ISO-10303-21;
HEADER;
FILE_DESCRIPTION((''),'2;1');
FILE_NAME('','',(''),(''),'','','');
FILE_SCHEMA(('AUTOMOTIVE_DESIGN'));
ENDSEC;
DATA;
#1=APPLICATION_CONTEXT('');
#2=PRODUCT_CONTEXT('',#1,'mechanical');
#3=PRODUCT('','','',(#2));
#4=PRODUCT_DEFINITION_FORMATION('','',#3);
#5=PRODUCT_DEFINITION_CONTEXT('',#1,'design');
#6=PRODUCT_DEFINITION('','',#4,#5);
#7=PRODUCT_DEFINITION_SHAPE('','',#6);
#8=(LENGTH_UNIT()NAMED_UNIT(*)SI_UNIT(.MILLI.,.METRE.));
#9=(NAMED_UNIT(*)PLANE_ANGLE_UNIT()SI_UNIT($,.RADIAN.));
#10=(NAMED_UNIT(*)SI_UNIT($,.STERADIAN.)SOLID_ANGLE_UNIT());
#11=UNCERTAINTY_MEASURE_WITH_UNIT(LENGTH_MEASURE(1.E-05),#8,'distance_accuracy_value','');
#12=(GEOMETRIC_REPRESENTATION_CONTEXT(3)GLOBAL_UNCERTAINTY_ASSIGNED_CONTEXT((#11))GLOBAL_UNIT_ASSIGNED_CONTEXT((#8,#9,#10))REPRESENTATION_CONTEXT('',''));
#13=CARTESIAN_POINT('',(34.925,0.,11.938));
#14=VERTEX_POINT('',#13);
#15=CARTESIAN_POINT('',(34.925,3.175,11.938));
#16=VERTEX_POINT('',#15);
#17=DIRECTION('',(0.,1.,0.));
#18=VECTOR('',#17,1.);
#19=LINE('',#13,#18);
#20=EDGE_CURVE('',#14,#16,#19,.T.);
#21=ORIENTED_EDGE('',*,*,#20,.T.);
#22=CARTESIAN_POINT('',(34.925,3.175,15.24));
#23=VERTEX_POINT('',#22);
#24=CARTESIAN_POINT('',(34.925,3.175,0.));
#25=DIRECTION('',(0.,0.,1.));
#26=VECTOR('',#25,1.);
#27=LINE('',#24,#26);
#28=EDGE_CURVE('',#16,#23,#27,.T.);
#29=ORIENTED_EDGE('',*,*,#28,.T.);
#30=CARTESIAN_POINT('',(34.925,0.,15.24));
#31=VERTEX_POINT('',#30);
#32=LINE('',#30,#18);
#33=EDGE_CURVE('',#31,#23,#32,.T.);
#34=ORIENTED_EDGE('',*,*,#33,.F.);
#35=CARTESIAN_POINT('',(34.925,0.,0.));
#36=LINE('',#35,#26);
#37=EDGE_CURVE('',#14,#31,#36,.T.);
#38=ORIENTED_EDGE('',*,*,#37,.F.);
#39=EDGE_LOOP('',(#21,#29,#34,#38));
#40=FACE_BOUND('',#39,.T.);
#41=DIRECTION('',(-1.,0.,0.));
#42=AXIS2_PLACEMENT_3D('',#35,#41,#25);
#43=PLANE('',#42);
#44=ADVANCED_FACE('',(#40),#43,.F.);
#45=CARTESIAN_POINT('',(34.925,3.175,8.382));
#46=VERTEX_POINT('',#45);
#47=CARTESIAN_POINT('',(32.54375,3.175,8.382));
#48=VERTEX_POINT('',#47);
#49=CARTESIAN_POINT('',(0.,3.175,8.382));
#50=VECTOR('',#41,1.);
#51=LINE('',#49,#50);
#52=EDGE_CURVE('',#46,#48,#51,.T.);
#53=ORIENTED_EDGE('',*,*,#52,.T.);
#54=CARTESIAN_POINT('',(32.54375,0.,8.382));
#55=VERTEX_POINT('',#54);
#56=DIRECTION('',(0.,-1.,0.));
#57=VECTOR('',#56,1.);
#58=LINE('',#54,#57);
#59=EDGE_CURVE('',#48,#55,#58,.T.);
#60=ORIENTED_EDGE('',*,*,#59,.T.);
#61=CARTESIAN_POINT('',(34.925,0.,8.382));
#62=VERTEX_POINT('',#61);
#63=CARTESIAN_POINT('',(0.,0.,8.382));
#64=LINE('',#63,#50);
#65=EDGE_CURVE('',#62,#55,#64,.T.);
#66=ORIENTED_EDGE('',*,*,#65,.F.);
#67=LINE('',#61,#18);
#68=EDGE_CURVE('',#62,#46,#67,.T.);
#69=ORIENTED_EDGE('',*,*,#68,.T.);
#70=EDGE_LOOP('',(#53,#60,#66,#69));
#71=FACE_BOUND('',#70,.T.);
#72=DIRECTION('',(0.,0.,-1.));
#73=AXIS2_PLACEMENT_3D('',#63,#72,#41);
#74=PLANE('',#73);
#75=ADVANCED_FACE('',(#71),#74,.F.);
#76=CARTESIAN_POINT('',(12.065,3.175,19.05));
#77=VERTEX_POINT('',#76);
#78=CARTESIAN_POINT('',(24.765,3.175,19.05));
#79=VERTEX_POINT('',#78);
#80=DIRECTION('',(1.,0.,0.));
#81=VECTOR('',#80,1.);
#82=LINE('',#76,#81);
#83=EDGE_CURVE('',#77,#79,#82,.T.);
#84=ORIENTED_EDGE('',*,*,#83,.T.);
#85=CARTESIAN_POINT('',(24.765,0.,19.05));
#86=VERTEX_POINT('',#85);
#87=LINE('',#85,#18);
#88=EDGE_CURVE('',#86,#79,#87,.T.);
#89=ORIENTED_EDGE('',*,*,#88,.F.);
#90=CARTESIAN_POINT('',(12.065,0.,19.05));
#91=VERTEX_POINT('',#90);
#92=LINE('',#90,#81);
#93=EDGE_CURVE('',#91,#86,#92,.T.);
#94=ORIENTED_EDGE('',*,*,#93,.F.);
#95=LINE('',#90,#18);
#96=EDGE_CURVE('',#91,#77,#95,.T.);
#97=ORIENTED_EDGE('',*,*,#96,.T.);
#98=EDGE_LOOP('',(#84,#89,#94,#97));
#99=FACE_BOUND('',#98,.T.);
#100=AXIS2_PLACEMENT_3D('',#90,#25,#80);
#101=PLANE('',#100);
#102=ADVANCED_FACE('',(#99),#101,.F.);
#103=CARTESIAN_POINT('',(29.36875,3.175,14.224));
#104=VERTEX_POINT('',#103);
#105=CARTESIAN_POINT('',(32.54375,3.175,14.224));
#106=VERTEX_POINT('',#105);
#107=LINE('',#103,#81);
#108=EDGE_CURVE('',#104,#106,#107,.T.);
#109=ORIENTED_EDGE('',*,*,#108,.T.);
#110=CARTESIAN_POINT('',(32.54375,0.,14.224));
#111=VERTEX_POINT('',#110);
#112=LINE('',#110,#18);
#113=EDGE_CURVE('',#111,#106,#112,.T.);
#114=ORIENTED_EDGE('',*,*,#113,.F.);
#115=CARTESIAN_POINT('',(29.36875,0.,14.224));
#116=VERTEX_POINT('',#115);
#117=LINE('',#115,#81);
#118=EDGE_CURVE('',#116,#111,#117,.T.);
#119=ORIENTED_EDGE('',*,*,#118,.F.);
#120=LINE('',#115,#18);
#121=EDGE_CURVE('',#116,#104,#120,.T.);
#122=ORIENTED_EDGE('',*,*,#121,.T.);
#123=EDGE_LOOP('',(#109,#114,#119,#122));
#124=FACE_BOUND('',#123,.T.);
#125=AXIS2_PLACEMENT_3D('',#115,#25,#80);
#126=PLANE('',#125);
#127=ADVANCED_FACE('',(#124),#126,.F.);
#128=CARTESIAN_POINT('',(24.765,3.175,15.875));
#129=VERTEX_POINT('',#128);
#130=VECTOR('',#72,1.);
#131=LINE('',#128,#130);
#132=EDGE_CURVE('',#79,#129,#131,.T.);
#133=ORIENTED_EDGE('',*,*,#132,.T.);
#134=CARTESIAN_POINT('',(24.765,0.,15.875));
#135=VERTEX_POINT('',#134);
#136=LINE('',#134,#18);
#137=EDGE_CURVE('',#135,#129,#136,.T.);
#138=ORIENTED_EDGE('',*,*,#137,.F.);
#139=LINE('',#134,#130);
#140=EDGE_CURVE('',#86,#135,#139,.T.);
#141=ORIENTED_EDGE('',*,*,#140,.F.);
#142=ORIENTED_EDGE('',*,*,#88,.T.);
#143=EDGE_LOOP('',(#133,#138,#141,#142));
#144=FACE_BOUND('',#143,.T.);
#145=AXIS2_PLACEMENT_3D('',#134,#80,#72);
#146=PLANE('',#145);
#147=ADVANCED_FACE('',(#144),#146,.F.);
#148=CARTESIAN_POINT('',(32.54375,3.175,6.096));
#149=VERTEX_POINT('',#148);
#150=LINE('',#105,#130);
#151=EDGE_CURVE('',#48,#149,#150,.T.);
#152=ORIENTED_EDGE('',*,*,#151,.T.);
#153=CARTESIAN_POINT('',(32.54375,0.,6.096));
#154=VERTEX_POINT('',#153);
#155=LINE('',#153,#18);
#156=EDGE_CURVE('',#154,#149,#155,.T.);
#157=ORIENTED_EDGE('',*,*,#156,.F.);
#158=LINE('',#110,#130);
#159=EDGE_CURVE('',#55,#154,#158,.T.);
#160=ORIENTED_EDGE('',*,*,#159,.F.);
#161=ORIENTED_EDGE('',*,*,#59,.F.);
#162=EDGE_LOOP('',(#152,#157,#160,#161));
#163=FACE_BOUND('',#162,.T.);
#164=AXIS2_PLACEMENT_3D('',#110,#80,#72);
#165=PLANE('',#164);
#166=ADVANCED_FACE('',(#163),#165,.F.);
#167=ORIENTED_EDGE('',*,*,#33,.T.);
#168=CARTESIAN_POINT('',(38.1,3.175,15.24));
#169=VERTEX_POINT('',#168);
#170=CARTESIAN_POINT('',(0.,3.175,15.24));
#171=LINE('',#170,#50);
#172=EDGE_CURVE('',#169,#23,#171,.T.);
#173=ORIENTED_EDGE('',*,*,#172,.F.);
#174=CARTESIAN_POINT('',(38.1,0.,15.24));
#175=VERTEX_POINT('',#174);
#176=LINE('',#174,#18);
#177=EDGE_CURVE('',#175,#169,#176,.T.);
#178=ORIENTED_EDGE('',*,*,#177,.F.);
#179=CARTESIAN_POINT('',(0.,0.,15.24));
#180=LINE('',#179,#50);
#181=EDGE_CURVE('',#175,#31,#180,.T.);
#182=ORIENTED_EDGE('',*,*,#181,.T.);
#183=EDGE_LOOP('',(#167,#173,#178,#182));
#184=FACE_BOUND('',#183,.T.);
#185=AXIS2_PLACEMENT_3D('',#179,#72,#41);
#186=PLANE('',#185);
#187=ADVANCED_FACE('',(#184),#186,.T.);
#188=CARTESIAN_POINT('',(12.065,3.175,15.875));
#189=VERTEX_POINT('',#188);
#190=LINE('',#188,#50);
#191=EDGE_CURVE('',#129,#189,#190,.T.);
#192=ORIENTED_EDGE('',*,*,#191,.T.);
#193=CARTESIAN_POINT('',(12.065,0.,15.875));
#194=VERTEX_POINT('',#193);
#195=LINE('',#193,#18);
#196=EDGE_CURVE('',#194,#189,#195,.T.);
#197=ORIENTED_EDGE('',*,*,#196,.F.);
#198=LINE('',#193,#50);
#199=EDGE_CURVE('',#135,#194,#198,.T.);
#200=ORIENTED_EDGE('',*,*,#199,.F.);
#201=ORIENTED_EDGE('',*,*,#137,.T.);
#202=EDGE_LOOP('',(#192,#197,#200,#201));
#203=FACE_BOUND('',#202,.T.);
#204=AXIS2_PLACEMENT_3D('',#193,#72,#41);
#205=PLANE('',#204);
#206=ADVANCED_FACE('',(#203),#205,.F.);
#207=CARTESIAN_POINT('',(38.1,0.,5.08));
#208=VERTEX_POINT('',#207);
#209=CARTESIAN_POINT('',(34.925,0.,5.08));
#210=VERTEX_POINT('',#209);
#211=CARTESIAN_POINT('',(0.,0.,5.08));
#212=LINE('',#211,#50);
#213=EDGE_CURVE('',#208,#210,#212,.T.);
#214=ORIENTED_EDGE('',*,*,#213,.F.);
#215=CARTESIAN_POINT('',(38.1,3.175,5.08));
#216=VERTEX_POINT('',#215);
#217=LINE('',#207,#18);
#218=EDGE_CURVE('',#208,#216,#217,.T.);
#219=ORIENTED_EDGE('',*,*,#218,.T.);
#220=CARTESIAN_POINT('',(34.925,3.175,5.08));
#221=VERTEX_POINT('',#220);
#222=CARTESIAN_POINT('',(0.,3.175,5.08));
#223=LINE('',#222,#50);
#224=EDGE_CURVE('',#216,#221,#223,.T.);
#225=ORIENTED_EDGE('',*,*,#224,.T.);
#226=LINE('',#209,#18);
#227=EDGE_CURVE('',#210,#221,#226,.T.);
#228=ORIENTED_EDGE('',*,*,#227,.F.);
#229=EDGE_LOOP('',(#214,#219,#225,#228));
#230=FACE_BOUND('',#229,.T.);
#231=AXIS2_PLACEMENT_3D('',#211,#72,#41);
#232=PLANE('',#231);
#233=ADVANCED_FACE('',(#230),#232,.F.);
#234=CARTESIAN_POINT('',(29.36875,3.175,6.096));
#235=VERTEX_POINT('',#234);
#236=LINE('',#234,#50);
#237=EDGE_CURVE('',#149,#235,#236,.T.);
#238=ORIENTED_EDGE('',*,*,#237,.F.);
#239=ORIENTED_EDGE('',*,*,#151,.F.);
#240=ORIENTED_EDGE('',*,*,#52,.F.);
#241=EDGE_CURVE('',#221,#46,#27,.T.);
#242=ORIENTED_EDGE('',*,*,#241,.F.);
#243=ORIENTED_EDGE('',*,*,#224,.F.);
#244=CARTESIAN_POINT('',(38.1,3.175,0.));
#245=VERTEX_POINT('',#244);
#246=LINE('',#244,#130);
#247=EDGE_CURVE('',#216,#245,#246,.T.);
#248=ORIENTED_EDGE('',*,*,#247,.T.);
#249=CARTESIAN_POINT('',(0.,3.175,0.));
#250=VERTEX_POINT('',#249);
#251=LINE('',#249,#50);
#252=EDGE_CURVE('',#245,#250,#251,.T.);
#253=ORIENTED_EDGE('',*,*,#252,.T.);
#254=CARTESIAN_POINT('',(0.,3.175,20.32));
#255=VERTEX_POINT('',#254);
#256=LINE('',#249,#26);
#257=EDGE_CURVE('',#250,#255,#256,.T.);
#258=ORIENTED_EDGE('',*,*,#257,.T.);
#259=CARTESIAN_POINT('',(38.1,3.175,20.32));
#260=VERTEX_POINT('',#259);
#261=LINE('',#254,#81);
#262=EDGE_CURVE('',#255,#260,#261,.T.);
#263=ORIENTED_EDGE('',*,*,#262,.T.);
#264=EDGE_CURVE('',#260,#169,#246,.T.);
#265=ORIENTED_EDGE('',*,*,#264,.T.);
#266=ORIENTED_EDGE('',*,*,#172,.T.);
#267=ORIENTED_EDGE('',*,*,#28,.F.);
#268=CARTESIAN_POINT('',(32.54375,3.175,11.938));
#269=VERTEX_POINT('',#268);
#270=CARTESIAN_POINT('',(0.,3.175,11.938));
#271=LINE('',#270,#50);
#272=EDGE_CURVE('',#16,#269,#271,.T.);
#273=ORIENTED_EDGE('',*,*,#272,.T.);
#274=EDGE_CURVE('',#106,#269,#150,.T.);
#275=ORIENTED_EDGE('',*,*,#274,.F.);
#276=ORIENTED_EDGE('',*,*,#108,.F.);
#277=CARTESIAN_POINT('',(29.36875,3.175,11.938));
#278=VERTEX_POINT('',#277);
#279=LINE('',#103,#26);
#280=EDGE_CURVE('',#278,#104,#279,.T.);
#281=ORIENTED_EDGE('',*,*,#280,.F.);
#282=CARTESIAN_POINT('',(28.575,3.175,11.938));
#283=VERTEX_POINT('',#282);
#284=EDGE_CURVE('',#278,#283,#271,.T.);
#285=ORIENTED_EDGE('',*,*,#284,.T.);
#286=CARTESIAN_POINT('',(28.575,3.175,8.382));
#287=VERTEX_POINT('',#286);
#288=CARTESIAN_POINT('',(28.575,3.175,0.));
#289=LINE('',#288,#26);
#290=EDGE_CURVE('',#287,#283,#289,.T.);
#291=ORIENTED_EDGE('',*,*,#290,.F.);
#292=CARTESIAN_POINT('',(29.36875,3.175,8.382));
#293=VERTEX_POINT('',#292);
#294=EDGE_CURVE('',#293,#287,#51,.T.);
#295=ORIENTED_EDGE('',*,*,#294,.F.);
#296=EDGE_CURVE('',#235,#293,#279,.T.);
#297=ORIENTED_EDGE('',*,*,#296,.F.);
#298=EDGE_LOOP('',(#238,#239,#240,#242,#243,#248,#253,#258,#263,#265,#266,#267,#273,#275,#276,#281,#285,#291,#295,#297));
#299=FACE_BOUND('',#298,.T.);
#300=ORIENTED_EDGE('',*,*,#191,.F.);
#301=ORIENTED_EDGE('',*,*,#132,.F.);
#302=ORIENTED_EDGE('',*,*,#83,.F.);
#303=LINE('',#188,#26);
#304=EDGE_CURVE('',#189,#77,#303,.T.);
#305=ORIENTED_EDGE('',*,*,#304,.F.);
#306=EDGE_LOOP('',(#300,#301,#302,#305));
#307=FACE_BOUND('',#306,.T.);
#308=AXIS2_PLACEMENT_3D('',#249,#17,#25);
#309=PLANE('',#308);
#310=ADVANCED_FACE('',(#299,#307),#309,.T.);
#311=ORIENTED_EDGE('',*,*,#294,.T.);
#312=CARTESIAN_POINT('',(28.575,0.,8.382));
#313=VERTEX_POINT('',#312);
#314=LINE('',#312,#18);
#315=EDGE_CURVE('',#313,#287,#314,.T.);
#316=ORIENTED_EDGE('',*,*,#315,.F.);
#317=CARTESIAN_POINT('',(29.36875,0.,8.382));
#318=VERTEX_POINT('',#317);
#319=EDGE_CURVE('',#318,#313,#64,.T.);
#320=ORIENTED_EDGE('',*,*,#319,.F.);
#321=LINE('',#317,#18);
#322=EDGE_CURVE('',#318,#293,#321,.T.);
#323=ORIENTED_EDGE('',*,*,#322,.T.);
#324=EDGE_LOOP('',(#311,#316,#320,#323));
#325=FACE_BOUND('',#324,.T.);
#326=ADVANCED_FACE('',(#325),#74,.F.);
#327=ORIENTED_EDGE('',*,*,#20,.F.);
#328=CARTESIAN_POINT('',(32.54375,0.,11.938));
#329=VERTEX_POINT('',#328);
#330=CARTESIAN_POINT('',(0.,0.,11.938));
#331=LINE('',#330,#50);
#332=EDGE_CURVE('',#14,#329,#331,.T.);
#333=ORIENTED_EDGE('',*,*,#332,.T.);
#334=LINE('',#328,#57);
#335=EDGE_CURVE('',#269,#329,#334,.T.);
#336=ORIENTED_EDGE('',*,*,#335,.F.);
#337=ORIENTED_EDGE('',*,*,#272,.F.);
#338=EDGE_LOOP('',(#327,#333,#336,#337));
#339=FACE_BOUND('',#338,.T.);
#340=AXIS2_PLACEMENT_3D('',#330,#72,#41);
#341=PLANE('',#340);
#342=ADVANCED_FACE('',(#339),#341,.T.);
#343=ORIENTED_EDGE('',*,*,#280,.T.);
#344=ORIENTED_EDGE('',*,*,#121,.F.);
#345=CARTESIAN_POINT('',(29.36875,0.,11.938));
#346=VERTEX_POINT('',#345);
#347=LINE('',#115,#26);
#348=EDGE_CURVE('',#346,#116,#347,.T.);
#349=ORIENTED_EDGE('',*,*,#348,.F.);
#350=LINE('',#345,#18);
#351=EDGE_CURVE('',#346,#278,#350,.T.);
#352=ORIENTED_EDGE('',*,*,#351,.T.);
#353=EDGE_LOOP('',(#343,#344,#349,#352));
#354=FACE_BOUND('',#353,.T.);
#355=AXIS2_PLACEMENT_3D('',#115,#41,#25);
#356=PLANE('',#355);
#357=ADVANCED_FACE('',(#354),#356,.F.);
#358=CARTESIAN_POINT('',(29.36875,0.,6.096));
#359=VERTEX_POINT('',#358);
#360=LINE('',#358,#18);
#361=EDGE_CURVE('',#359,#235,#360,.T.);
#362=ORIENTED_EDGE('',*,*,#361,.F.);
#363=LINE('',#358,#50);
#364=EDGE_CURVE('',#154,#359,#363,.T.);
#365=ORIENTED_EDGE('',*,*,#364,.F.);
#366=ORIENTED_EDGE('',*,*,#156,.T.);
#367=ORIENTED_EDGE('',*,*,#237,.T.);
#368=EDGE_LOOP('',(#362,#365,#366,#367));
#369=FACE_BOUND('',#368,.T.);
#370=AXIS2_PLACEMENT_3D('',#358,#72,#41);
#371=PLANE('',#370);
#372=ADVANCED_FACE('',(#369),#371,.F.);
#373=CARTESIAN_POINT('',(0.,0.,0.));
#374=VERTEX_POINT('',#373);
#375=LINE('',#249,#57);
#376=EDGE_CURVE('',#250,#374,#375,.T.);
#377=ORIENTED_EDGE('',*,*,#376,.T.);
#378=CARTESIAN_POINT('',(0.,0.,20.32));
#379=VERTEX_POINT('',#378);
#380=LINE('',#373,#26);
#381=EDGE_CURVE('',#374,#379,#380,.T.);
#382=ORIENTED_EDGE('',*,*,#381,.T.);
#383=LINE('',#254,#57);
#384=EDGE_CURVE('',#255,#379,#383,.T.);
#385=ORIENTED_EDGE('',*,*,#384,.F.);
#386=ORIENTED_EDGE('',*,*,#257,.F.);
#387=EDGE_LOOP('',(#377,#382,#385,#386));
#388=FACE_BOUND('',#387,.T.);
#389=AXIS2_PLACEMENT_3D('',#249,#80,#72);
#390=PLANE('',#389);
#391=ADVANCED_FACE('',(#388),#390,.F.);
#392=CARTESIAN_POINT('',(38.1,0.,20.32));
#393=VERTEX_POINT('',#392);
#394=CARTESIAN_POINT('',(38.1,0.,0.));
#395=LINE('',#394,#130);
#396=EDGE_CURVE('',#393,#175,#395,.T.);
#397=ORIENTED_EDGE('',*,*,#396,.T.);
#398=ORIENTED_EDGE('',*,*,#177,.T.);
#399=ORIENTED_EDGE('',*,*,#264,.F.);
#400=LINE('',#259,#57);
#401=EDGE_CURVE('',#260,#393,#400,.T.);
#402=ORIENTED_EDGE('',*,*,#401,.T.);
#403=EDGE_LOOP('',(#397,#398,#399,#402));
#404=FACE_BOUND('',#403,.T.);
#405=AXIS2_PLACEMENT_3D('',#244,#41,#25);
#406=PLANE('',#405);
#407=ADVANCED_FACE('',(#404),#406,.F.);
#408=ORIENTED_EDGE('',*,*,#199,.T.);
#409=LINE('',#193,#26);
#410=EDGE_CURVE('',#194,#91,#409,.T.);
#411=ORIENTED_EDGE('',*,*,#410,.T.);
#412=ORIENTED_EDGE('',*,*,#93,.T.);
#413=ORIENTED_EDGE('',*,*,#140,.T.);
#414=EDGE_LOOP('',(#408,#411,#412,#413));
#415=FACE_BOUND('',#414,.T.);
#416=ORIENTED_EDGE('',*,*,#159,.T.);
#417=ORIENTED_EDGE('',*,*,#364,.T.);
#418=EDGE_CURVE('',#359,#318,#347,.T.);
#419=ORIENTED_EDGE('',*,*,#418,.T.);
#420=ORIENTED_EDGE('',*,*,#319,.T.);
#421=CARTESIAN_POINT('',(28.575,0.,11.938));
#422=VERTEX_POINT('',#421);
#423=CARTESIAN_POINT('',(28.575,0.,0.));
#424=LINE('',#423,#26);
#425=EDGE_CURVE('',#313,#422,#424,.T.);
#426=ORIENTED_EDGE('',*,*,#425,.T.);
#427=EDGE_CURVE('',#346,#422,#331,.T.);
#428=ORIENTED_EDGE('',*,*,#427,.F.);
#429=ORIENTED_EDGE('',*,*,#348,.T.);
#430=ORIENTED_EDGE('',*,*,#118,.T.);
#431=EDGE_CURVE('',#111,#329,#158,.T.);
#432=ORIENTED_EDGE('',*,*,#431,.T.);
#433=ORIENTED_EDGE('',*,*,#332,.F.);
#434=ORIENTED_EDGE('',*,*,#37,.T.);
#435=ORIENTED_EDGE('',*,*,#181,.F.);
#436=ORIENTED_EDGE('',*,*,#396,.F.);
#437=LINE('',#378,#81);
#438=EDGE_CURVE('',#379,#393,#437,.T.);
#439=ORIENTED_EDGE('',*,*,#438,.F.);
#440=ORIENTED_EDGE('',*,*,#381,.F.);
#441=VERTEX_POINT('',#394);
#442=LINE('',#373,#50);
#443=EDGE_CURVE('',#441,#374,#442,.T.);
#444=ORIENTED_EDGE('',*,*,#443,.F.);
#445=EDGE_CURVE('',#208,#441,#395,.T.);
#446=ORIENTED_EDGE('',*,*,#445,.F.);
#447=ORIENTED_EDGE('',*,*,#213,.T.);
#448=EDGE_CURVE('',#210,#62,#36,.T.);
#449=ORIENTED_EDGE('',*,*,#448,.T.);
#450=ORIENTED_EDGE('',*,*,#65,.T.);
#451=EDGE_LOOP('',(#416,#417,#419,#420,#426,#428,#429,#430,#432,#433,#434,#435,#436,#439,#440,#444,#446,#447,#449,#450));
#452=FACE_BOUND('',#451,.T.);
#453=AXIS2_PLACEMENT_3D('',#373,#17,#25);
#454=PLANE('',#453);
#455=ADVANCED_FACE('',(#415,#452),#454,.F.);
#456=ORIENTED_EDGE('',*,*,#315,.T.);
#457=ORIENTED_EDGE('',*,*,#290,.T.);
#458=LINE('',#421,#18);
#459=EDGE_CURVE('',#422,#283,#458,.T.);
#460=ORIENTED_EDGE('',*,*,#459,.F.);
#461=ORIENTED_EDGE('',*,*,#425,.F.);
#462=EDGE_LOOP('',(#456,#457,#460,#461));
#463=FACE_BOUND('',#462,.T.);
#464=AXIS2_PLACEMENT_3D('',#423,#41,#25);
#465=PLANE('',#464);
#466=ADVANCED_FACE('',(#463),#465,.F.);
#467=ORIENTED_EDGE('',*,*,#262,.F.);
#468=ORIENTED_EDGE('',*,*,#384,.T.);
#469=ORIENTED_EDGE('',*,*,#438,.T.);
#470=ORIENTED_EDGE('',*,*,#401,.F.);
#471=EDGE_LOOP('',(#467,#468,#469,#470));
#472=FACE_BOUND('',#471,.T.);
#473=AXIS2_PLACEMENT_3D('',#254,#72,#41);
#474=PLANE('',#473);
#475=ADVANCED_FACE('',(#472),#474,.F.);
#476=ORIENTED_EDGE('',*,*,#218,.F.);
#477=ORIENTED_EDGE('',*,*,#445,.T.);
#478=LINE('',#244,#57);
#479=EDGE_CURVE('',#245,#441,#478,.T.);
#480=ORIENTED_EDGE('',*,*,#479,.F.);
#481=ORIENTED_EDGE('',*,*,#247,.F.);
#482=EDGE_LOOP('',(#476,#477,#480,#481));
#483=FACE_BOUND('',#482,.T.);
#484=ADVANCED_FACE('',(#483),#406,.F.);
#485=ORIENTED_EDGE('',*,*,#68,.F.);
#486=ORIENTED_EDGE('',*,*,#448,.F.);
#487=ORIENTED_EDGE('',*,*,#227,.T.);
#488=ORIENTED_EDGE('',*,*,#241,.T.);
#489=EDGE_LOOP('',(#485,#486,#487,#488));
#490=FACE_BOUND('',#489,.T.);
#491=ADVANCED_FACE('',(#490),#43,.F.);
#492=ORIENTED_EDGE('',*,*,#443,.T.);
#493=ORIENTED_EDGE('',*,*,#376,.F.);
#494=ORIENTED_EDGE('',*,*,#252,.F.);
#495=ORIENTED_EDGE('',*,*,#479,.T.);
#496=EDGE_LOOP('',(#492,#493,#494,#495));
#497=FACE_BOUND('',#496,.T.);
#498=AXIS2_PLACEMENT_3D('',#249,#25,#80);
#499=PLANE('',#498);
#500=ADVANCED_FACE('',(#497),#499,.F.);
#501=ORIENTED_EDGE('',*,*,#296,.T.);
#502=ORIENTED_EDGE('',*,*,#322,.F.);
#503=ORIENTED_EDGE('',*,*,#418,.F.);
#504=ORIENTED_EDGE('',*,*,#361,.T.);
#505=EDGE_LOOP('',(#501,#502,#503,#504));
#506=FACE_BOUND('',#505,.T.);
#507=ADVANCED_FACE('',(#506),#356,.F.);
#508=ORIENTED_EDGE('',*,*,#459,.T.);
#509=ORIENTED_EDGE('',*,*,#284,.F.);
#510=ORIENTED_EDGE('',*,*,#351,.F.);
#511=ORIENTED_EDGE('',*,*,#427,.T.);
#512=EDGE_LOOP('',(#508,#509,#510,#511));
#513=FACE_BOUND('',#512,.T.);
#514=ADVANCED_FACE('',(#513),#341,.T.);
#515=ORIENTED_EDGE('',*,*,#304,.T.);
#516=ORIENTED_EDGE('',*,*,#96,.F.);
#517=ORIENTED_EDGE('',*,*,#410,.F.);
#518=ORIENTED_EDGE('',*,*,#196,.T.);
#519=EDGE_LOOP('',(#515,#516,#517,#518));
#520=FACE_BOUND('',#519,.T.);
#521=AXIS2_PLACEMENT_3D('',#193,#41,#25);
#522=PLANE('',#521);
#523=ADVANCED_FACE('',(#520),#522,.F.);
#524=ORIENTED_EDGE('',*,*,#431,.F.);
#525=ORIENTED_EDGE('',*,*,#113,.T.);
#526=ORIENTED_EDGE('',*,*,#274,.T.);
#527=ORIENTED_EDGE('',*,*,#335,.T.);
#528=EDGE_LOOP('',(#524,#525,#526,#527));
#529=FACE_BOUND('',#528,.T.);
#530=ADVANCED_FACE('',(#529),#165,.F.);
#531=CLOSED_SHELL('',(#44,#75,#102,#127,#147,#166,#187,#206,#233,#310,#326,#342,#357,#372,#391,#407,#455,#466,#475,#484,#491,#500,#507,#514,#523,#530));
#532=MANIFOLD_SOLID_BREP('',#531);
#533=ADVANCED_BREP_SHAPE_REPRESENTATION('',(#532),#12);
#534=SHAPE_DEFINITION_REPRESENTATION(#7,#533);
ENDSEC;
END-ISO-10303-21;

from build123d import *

# Parameters (mm, degrees)
SKETCH1_W           = 38.1
SKETCH1_H           = 20.32
BOSS_EXTRUDE1_DEPTH = 3.175
CUT_EXTRUDE1_DEPTH  = 3.175
SKETCH5_W           = 3.175
SKETCH5_H           = 8.128
CUT_EXTRUDE2_DEPTH  = 3.175
SKETCH6_W           = 12.7
SKETCH6_H           = 3.175
CUT_EXTRUDE3_DEPTH  = 3.175


with BuildPart() as part:
    # Sketch1 → Boss-Extrude1 (new body)
    with BuildSketch(Plane(origin=(0, 0, 0), x_dir=(1, 0, 0), z_dir=(0, 1, 0))):
        with Locations((19.05, -10.16)):
            Rectangle(SKETCH1_W, SKETCH1_H)
    extrude(amount=BOSS_EXTRUDE1_DEPTH)

    # Sketch4 → Cut-Extrude1 (cut)
    with BuildSketch(Plane(origin=(0, 3.175, 0), x_dir=(1, 0, 0), z_dir=(0, 1, 0))):
        Polygon((38.1, -15.24), (38.1, -5.08), (34.925, -5.08), (34.925, -8.382), (28.575, -8.382), (28.575, -11.938), (34.925, -11.938), (34.925, -15.24), align=None)
    extrude(amount=-CUT_EXTRUDE1_DEPTH, mode=Mode.SUBTRACT)

    # Sketch5 → Cut-Extrude2 (cut)
    with BuildSketch(Plane(origin=(0, 3.175, 0), x_dir=(1, 0, 0), z_dir=(0, 1, 0))):
        with Locations((30.95625, -10.16)):
            Rectangle(SKETCH5_W, SKETCH5_H)
    extrude(amount=-CUT_EXTRUDE2_DEPTH, mode=Mode.SUBTRACT)

    # Sketch6 → Cut-Extrude3 (cut)
    with BuildSketch(Plane(origin=(0, 3.175, 0), x_dir=(1, 0, 0), z_dir=(0, 1, 0))):
        with Locations((18.415, -17.4625)):
            Rectangle(SKETCH6_W, SKETCH6_H)
    extrude(amount=-CUT_EXTRUDE3_DEPTH, mode=Mode.SUBTRACT)


solid = part.part
